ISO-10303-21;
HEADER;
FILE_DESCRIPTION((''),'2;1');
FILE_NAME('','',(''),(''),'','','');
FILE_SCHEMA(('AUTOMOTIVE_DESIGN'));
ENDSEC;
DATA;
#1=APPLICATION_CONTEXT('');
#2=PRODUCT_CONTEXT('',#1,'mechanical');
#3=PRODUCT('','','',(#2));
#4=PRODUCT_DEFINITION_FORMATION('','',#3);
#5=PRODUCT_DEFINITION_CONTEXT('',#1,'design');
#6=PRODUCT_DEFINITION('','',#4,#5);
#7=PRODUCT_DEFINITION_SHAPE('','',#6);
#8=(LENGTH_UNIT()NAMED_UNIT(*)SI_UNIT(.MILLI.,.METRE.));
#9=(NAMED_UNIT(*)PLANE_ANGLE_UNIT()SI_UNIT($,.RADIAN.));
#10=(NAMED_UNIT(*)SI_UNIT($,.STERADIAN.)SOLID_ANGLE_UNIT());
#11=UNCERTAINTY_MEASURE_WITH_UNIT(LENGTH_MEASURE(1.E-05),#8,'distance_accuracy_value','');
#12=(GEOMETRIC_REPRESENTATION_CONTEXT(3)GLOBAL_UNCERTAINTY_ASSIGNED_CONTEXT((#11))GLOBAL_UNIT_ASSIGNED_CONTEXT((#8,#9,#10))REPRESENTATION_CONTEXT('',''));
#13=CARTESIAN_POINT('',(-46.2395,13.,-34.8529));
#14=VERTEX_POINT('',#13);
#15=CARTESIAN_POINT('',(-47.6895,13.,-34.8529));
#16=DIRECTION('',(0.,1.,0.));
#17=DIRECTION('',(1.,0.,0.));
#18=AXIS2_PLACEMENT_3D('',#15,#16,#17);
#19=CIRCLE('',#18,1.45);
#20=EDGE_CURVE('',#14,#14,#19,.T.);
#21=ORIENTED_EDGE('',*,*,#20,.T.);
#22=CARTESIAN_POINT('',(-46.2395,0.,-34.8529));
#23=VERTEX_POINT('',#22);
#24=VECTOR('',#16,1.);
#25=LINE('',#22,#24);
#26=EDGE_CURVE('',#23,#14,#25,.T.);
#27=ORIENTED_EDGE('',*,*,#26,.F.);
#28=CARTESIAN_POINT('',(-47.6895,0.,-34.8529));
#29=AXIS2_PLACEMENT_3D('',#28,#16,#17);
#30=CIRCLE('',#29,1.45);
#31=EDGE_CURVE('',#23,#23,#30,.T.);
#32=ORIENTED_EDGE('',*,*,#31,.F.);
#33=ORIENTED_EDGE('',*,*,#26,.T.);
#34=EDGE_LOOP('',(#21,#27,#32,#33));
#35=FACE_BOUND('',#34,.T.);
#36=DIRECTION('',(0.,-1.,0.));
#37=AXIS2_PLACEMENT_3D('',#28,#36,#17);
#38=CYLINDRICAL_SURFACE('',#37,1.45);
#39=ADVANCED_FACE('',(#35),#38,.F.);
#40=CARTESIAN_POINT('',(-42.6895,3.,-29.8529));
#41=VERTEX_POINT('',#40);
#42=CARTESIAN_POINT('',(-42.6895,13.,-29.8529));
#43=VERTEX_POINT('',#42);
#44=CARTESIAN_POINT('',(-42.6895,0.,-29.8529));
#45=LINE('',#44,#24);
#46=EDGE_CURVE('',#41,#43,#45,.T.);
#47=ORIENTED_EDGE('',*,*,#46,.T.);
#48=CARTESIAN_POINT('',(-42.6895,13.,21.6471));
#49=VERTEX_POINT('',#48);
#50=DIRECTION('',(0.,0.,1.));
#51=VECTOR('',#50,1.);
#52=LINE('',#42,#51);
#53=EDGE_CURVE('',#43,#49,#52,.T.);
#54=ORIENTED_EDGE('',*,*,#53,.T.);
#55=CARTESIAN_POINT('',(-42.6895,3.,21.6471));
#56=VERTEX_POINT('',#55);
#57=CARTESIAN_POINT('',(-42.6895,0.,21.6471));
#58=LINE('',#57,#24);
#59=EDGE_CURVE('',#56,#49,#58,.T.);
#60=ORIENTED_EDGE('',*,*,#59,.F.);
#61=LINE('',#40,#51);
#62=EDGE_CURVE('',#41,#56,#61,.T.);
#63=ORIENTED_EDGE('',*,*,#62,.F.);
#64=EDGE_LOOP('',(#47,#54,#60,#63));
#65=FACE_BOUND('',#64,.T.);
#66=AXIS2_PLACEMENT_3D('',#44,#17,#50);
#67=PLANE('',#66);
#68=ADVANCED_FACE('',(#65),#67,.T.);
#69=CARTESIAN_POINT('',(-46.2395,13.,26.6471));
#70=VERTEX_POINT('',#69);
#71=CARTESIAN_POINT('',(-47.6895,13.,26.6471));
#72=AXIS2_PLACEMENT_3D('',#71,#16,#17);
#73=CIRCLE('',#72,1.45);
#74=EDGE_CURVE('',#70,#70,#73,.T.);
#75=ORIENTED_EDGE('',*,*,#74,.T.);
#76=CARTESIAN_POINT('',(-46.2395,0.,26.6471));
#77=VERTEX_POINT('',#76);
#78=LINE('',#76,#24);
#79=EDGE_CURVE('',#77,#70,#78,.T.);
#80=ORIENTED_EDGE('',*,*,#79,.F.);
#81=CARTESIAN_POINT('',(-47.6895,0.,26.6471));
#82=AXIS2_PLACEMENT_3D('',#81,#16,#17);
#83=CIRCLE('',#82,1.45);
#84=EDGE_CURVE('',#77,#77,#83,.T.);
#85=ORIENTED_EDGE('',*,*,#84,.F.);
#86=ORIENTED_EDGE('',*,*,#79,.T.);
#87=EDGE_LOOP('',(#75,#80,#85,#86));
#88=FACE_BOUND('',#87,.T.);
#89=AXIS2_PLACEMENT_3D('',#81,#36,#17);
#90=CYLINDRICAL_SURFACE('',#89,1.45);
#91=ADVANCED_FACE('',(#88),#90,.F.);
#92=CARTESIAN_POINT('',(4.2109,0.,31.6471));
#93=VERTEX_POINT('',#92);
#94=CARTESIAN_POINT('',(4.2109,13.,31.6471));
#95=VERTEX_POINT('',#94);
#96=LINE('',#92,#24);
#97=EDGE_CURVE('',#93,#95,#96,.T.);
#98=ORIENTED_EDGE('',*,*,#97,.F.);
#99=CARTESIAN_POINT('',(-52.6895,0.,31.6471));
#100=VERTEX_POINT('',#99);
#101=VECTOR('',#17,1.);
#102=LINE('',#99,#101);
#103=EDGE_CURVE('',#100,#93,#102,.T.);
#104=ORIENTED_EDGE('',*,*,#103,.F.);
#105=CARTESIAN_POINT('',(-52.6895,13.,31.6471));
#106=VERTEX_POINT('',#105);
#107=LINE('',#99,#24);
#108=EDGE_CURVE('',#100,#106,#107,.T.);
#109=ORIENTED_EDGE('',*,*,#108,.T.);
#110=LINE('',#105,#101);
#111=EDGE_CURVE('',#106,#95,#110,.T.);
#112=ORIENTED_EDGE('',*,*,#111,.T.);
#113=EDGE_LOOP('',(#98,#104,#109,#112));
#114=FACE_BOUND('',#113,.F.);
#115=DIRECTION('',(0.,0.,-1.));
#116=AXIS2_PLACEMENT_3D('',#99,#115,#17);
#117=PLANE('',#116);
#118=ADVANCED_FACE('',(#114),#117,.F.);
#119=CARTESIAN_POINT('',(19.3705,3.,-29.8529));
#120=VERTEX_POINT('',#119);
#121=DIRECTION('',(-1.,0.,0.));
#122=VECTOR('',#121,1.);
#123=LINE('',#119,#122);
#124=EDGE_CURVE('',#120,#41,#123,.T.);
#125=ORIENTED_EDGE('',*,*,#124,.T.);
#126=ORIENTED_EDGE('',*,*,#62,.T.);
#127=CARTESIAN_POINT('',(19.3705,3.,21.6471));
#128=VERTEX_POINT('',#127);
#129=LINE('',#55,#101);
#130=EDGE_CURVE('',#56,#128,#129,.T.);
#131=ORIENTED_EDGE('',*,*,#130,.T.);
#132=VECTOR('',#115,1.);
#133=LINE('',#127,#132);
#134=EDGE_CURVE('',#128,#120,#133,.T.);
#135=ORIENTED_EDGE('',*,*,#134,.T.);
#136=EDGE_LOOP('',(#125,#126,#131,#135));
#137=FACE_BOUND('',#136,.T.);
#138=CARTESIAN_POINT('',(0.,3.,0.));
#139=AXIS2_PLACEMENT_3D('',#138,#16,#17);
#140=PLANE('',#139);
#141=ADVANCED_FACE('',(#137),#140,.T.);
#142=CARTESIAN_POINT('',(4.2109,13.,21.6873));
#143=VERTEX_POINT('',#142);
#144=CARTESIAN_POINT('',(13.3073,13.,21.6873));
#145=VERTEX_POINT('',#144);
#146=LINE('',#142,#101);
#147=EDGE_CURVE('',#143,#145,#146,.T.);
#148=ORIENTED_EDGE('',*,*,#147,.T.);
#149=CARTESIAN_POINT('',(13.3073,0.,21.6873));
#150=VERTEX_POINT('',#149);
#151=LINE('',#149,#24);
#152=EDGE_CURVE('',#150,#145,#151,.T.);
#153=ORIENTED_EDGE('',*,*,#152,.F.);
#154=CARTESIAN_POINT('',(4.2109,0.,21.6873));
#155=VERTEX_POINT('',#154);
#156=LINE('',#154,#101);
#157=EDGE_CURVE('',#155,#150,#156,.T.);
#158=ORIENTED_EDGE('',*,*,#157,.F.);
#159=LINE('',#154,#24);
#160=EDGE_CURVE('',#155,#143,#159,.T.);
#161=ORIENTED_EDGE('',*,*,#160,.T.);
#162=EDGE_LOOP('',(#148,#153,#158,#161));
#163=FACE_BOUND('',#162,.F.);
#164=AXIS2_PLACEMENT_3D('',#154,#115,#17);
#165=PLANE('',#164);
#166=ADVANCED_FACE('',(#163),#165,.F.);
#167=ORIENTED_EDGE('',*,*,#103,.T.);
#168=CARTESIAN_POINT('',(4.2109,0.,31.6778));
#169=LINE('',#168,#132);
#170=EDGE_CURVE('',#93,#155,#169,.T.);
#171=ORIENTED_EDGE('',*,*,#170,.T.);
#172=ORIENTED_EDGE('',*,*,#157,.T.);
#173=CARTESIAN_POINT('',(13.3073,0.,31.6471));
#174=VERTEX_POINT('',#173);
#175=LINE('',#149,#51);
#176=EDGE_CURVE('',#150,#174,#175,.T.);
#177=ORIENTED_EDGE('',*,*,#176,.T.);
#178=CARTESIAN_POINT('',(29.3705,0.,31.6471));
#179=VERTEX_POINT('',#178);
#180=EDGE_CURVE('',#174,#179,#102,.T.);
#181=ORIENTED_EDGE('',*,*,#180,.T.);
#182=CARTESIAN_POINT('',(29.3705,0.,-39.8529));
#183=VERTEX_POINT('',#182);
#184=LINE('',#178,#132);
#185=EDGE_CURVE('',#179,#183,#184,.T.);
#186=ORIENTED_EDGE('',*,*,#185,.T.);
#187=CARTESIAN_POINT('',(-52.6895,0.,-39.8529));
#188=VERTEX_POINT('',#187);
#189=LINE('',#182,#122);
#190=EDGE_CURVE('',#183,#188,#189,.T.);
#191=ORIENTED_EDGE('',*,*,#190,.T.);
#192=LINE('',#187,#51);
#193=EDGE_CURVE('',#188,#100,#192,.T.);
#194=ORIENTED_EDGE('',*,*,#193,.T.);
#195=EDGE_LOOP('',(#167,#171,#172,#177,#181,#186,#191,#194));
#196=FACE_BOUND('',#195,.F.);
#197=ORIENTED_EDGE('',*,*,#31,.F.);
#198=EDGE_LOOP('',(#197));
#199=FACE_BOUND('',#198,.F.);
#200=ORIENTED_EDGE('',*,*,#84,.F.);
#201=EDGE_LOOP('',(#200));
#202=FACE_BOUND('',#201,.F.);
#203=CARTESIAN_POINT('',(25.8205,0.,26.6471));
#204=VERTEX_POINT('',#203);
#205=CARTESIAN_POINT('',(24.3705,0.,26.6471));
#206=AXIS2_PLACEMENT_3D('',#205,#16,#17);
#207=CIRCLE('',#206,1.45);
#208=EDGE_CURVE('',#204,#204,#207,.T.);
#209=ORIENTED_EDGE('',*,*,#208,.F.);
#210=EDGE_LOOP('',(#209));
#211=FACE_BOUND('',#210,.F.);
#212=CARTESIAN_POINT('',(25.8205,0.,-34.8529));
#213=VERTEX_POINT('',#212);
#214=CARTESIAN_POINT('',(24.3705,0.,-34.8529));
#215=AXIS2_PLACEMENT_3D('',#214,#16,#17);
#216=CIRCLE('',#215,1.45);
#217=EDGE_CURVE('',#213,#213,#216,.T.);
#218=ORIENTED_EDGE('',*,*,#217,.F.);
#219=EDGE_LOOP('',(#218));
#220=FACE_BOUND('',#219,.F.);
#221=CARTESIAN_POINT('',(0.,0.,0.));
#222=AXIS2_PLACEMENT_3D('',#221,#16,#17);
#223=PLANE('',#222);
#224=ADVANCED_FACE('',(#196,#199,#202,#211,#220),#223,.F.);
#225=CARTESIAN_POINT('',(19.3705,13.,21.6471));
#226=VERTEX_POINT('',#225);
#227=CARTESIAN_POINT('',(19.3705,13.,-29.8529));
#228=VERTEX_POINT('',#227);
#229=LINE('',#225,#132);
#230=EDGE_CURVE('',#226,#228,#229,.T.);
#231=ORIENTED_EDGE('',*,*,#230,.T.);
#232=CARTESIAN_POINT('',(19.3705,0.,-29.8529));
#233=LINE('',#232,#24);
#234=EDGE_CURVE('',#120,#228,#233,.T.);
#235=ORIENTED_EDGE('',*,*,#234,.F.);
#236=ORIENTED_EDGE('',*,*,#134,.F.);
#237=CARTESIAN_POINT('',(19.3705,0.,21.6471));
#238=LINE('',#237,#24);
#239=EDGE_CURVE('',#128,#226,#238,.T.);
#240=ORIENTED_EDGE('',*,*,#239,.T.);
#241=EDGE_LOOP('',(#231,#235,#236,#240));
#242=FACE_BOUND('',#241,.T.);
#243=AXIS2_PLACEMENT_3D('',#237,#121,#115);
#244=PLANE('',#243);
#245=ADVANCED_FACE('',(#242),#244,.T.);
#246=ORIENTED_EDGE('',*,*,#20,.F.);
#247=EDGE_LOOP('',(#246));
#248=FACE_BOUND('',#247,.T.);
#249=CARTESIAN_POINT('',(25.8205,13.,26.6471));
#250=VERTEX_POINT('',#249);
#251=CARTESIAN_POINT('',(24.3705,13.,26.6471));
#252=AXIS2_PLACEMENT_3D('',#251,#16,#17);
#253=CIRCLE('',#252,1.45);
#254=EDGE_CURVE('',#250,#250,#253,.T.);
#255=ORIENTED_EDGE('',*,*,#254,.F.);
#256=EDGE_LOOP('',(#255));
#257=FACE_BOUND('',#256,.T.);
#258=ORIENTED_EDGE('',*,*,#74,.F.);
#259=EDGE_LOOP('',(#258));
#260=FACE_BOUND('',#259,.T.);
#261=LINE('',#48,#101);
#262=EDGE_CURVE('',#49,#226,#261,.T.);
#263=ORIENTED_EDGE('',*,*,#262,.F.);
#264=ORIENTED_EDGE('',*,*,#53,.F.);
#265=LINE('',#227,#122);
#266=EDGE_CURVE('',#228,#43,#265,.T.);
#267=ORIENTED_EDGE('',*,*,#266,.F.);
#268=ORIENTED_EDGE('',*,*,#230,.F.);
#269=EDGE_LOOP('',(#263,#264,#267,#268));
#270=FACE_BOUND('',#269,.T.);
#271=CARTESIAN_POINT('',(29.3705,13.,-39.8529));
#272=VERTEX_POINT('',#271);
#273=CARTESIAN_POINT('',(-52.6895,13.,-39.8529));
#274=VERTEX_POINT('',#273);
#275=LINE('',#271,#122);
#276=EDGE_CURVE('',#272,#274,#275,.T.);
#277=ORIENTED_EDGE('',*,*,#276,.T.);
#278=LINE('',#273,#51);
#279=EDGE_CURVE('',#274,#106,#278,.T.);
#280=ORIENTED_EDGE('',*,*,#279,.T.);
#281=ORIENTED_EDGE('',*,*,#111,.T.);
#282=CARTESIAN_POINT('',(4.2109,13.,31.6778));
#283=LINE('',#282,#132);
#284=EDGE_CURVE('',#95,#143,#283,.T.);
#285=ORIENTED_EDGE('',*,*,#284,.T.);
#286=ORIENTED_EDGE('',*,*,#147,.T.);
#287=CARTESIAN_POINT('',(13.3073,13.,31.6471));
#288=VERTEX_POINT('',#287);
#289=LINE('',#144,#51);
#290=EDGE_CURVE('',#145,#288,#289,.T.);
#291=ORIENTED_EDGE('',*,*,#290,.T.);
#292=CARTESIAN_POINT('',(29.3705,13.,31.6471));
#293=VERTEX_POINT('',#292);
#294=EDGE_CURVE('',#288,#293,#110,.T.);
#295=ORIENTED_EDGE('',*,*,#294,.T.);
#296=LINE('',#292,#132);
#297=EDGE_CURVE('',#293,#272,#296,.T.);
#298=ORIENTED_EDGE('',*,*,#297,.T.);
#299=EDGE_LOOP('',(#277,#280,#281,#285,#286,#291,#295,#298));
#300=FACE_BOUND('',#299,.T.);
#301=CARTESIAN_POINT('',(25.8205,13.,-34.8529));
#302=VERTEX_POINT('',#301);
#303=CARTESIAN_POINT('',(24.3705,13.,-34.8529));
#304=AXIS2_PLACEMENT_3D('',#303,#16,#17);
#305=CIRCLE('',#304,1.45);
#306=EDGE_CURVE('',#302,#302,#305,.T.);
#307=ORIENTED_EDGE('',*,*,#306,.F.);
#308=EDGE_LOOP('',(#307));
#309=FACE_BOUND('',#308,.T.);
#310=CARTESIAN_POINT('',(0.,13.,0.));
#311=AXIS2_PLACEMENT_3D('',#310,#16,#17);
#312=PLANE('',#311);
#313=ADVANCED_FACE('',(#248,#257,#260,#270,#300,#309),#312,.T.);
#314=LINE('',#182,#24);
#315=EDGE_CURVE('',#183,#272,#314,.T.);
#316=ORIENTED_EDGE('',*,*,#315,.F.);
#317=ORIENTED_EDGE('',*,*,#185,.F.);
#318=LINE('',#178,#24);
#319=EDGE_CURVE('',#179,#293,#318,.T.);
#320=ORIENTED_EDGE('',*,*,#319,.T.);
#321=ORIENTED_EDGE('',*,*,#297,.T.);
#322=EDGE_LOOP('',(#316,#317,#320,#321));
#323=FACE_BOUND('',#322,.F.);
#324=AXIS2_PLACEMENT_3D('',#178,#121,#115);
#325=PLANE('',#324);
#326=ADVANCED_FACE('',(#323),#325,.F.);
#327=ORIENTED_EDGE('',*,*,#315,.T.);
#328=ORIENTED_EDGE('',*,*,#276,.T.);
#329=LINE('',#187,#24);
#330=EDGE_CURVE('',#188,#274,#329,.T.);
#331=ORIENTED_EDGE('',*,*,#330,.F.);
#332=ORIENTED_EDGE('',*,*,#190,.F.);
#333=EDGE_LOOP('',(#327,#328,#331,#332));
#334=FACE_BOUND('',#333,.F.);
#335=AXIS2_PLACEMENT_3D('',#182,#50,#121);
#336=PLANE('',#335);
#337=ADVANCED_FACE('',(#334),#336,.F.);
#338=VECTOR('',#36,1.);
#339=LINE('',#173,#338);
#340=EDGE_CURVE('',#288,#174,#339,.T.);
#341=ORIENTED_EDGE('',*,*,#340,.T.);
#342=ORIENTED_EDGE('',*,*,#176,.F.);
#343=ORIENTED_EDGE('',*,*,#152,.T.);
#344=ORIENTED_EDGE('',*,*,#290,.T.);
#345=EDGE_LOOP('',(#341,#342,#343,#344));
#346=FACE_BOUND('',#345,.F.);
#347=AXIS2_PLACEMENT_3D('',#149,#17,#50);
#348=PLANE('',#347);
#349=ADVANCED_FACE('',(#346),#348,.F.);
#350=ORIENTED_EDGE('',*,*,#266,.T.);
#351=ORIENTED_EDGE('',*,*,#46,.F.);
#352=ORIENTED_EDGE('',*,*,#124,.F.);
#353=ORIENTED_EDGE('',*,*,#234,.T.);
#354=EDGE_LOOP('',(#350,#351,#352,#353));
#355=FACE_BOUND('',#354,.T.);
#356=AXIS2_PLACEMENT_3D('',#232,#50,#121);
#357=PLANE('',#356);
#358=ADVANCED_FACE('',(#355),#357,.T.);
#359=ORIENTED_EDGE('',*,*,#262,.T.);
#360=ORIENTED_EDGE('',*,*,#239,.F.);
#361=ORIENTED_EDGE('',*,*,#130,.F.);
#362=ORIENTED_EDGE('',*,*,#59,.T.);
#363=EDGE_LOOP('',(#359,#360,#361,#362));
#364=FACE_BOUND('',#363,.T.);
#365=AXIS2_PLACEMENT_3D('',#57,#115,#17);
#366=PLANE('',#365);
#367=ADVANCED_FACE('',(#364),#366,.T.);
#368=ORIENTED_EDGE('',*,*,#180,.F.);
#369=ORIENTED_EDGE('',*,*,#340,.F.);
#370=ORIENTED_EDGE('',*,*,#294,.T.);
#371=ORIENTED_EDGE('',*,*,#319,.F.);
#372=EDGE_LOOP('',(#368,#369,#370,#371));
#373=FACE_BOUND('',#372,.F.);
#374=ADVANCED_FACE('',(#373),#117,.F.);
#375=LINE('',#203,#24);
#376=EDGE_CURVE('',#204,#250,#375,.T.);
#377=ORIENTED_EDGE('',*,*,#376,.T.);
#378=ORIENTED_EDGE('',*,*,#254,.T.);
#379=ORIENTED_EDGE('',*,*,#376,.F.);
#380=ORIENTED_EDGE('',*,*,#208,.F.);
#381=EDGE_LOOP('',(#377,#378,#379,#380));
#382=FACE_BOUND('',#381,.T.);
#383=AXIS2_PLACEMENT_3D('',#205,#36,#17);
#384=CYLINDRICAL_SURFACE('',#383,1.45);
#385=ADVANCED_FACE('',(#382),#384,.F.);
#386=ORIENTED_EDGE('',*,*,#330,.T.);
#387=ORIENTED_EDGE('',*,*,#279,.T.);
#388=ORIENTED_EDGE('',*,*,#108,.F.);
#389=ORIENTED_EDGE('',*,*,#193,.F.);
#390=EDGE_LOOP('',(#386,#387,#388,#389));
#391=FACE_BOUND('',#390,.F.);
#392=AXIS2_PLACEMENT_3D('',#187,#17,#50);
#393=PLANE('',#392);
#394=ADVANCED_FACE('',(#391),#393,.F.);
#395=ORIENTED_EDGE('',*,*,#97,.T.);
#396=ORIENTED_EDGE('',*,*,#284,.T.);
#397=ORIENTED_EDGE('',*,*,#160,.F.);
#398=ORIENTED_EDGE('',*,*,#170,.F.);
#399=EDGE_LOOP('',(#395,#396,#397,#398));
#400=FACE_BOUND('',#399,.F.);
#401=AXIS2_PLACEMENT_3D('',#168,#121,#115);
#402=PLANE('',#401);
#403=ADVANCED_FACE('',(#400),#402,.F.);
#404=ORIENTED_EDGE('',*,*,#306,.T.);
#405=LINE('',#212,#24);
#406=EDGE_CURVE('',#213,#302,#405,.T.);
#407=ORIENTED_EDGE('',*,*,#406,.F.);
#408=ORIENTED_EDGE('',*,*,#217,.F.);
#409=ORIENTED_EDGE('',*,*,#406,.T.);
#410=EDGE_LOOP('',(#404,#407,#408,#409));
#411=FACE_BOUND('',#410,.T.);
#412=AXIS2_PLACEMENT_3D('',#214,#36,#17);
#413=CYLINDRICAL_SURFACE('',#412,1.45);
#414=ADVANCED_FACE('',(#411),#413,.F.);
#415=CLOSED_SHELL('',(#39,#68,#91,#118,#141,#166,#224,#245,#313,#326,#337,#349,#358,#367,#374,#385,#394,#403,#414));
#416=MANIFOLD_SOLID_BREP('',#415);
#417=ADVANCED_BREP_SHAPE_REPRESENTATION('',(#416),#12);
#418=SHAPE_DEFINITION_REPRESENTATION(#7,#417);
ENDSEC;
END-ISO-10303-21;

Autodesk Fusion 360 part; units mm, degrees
sketch "Sketch3" plane through (0, 0, 0) normal (0, 1, 0) x (1, 0, 0)
sketch "Sketch4" plane through (0, 0, 0) normal (0, 1, 0) x (1, 0, 0)
sketch "Sketch5" plane through (0, 0, 0) normal (0, 1, 0) x (1, 0, 0)
sketch "Sketch6" plane through (0, 0, 0) normal (0, 1, 0) x (1, 0, 0)
  line L0 (-42.6895, -21.6471) -> (19.3705, -21.6471)
  line L1 (19.3705, -21.6471) -> (19.3705, 29.8529)
  line L2 (19.3705, 29.8529) -> (-42.6895, 29.8529)
  line L3 (-42.6895, 29.8529) -> (-42.6895, -21.6471)
  line L4 (-52.6895, -31.6471) -> (29.3705, -31.6471)
  line L5 (29.3705, -31.6471) -> (29.3705, 39.8529)
  line L6 (29.3705, 39.8529) -> (-52.6895, 39.8529)
  line L7 (-52.6895, 39.8529) -> (-52.6895, -31.6471)
  circle A0 centre (-47.6895, -26.6471) radius 1.45
  circle A1 centre (24.3705, -26.6471) radius 1.45
  circle A2 centre (-47.6895, 34.8529) radius 1.45
  circle A3 centre (24.3705, 34.8529) radius 1.45
  dimension "d52" = 51.5
  dimension "d53" = 62.06
  dimension "d54" = 10
  dimension "d55" = 10
  dimension "d56" = 10
  dimension "d57" = 10
  dimension "d58" = 2.9
  dimension "d59" = 5
  dimension "d60" = 5
  dimension "d61" = 2.9
  dimension "d62" = 5
  dimension "d63" = 5
  dimension "d64" = 2.9
  dimension "d65" = 5
  dimension "d66" = 5
  dimension "d67" = 2.9
  dimension "d68" = 5
  dimension "d69" = 5
extrude "Extrude6" add sketch "Sketch6" along normal blind 13
extrude "Extrude7" add sketch "Sketch6" along normal blind 3 contours L0 L1 L2 L3
sketch "Sketch7" plane through (0, 0, 0) normal (0, 1, 0) x (1, 0, 0)
  line L0 (13.2505, -31.6778) -> (4.2505, -31.6778)
  line L1 (4.2505, -31.6778) -> (4.2505, -21.6778)
  line L2 (4.2505, -21.6778) -> (13.2505, -21.6778)
  line L3 (13.2505, -21.6778) -> (13.2505, -31.6778)
  line L4 (19.3705, -21.6471) -> (19.3705, 29.8529)
  dimension "d74" = 10
  dimension "d75" = 6.12
  dimension "d76" = 9
sketch "Sketch8" plane through (0, 0, 0) normal (0, 1, 0) x (1, 0, 0)
sketch "eee" plane through (0, 0, 0) normal (0, 1, 0) x (1, 0, 0)
  line L0 (13.3073, -31.6778) -> (4.2109, -31.6778)
  line L1 (4.2109, -31.6778) -> (4.2109, -21.6873)
  line L2 (4.2109, -21.6873) -> (13.3073, -21.6873)
  line L3 (13.3073, -21.6873) -> (13.3073, -31.6778)
  line L4 (4.2505, -21.6778) -> (13.2505, -21.6778)
  dimension "d77" = 10
extrude "Extrude8" cut sketch "eee" along normal blind 13
